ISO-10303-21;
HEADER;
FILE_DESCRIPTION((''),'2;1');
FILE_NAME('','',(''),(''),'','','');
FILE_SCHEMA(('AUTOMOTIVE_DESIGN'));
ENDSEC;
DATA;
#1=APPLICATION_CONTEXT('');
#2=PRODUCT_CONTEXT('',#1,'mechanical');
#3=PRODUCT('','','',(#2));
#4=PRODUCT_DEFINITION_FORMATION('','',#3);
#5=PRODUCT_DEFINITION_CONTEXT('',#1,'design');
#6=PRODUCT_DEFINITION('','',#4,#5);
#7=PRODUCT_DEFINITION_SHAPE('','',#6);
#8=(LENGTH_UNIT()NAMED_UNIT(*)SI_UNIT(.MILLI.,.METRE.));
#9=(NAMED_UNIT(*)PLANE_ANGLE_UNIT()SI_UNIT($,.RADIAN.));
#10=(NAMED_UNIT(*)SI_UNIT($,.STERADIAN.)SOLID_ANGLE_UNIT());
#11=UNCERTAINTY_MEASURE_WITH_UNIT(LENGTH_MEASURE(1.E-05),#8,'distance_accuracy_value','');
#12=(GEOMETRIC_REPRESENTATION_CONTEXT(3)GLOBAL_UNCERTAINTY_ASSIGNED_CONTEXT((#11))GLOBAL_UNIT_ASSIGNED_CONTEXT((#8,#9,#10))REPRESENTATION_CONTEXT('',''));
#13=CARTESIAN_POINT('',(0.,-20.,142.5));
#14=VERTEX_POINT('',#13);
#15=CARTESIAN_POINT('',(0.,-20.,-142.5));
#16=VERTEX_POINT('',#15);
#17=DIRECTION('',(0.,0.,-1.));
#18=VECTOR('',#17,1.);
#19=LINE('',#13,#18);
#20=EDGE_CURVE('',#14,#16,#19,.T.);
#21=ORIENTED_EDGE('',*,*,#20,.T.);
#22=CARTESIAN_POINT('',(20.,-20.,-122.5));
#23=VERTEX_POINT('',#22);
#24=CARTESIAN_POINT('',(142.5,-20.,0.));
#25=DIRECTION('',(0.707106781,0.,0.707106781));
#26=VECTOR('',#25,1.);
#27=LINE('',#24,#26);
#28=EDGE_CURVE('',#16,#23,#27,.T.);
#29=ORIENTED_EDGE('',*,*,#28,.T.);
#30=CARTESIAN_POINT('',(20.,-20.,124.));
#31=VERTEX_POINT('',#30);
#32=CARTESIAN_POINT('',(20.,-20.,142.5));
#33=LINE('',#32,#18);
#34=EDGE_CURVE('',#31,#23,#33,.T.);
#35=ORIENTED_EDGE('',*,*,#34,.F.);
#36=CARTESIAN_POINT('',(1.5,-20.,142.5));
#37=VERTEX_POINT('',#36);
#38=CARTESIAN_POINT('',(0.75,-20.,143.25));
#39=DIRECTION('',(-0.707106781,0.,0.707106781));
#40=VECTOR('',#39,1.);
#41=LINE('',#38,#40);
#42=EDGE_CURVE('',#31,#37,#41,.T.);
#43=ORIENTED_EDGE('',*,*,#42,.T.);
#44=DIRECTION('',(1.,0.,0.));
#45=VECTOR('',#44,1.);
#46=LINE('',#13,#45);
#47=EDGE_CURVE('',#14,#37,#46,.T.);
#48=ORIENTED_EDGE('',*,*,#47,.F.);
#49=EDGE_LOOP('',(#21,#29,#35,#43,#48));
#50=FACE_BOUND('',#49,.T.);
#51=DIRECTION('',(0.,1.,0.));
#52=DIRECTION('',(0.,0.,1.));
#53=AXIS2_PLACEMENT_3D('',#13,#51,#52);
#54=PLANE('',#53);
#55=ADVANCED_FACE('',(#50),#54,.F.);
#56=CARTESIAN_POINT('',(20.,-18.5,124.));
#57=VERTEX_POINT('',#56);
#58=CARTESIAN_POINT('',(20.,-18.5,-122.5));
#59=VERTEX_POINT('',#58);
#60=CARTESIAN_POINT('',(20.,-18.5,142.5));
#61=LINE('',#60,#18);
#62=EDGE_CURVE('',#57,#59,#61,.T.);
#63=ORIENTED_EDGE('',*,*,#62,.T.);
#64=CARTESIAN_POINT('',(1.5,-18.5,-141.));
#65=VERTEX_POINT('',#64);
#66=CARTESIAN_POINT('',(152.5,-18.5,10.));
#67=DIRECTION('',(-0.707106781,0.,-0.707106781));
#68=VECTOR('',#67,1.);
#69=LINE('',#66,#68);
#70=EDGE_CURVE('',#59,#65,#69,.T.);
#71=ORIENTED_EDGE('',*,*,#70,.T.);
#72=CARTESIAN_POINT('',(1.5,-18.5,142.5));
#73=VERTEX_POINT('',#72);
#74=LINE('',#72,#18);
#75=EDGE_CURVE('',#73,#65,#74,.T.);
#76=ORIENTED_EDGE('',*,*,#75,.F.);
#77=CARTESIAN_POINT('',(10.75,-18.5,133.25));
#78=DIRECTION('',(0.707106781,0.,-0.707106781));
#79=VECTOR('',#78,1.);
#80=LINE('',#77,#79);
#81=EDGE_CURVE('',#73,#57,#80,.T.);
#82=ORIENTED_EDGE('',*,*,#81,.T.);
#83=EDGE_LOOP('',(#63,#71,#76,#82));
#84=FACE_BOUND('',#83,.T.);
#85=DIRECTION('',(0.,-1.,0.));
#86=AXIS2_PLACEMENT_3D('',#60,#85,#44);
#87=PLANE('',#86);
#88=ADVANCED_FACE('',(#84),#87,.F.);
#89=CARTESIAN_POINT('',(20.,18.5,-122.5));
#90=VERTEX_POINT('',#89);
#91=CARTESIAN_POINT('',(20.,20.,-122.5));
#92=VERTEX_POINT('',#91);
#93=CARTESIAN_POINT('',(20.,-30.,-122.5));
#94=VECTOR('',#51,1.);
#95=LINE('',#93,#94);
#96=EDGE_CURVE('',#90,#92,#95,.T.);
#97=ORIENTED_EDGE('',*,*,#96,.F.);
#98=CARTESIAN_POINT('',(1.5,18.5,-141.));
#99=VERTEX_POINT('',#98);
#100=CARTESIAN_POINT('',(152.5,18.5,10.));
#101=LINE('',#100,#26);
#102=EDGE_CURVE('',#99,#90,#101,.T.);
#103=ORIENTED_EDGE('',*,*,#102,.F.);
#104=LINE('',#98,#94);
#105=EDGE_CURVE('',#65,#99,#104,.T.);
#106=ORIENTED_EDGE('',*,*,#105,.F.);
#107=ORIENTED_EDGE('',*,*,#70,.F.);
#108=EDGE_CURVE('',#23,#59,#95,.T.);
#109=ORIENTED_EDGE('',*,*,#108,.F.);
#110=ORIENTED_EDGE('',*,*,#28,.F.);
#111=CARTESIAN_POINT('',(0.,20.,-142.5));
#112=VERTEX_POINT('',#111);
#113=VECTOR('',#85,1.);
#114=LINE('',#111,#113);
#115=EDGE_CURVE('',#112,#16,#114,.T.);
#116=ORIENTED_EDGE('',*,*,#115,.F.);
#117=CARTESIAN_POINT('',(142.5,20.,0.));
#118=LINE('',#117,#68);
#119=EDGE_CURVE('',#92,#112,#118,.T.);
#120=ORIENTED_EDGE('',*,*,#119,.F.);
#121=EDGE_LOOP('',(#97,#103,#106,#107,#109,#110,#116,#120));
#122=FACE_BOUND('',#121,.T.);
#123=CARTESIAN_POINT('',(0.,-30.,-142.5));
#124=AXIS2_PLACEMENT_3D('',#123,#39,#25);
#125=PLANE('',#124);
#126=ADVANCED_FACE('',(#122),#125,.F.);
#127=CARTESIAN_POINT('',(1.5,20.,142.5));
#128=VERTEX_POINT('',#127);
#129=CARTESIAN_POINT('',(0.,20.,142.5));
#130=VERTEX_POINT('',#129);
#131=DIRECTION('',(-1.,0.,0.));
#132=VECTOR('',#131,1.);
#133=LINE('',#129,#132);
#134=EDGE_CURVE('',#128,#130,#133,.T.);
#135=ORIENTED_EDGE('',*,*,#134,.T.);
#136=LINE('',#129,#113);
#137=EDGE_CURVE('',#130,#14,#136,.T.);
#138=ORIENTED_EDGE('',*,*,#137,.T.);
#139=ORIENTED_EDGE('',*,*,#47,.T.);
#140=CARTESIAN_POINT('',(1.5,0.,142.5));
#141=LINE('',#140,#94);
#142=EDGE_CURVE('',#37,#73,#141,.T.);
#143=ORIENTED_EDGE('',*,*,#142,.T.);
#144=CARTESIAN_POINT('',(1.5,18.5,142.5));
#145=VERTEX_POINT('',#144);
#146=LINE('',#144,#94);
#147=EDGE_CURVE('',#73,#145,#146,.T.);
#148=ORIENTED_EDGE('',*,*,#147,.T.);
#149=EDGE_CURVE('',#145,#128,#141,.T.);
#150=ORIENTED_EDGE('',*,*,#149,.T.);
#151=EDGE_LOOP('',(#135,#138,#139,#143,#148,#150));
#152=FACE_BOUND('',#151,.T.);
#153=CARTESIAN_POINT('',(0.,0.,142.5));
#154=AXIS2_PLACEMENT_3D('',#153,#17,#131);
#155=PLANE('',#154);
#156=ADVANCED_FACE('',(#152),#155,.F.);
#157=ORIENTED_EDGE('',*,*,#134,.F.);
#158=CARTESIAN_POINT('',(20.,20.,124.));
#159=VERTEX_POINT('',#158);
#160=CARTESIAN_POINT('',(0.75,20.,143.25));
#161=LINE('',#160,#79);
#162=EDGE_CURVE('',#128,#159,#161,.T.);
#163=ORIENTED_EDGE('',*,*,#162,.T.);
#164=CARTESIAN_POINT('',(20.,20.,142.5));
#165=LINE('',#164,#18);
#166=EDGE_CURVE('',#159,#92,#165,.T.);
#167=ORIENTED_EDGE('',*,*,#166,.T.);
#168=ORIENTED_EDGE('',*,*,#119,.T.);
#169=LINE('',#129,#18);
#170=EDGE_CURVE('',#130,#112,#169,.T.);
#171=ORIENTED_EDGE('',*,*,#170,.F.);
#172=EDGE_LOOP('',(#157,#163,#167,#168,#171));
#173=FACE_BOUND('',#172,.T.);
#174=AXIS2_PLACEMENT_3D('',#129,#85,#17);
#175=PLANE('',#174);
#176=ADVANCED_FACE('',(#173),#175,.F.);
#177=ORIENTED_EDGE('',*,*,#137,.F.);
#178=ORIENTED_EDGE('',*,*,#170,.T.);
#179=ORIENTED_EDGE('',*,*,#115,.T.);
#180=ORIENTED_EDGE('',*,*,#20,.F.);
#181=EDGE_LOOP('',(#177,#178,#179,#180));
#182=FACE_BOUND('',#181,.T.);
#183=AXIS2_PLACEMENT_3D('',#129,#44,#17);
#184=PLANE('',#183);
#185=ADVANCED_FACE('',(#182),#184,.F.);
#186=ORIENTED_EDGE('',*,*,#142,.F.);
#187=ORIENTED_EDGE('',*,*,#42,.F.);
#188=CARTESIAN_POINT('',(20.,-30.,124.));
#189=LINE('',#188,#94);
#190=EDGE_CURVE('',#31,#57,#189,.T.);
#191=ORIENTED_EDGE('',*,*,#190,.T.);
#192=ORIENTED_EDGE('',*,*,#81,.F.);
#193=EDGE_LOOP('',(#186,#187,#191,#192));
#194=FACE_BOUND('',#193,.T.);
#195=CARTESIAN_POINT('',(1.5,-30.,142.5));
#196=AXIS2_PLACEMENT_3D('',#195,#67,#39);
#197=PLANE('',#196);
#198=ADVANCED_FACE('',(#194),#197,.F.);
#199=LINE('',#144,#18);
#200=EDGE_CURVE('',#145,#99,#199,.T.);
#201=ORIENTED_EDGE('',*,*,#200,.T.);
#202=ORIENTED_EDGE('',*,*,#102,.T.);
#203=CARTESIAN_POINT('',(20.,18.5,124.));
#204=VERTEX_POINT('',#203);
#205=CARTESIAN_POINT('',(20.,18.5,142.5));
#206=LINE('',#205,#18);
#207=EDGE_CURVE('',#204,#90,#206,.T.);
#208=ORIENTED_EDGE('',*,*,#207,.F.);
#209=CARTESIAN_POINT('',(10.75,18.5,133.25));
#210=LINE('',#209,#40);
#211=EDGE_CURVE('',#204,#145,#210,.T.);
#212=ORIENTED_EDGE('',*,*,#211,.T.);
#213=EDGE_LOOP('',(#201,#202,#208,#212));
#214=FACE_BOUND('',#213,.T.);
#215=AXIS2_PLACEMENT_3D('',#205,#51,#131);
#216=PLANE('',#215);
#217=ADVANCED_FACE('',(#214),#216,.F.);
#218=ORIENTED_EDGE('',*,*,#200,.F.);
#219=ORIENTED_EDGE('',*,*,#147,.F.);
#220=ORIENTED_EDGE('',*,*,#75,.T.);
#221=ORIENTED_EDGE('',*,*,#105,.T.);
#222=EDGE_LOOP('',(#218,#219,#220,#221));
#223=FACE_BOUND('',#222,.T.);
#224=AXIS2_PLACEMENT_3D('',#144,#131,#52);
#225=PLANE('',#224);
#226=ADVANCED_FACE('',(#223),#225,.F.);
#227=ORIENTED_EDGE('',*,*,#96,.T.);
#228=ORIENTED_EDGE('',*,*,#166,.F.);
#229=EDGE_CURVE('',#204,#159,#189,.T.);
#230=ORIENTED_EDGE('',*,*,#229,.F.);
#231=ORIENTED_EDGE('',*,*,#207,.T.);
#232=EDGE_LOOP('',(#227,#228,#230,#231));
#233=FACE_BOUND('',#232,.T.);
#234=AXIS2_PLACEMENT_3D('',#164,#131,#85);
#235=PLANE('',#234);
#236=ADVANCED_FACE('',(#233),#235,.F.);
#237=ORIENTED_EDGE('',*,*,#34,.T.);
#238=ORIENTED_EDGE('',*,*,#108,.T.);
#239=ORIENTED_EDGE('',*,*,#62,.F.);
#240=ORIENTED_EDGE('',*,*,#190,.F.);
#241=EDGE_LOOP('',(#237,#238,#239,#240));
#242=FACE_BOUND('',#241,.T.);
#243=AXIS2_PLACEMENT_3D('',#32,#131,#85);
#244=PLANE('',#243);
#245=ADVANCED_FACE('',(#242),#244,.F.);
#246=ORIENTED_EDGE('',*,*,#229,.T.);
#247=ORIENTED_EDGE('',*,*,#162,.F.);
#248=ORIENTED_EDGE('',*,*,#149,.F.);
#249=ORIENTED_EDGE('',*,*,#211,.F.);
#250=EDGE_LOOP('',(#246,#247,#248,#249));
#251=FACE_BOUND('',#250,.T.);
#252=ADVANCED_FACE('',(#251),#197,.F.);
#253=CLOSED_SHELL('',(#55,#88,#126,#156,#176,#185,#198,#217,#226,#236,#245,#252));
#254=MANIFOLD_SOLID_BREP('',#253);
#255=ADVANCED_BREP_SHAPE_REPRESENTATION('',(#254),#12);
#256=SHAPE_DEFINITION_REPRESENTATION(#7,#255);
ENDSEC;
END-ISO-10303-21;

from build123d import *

# Parameters (mm, degrees)
RESSALTO_EXTRUS_O1_DEPTH = 142.5
CORTE_EXTRUS_O1_DEPTH    = 50


with BuildPart() as part:
    # Esboço1 → Ressalto-extrusão1 (new, symmetric)
    with BuildSketch(Plane.XY):
        Polygon((0, 20), (0, -20), (20, -20), (20, -18.5), (1.5, -18.5), (1.5, 18.5), (20, 18.5), (20, 20), align=None)
    extrude(amount=RESSALTO_EXTRUS_O1_DEPTH, both=True)

    # Esboço2 → Corte-extrusão1 (cut, symmetric)
    with BuildSketch(Plane(origin=(0, 20, 0), x_dir=(1, 0, 0), z_dir=(0, 1, 0))):
        Polygon((1.5, -142.5), (20, -124), (20, -142.5), align=None)
        Polygon((0, 142.5), (20, 122.5), (20, 142.5), align=None)
    extrude(amount=CORTE_EXTRUS_O1_DEPTH, both=True, mode=Mode.SUBTRACT)


solid = part.part
